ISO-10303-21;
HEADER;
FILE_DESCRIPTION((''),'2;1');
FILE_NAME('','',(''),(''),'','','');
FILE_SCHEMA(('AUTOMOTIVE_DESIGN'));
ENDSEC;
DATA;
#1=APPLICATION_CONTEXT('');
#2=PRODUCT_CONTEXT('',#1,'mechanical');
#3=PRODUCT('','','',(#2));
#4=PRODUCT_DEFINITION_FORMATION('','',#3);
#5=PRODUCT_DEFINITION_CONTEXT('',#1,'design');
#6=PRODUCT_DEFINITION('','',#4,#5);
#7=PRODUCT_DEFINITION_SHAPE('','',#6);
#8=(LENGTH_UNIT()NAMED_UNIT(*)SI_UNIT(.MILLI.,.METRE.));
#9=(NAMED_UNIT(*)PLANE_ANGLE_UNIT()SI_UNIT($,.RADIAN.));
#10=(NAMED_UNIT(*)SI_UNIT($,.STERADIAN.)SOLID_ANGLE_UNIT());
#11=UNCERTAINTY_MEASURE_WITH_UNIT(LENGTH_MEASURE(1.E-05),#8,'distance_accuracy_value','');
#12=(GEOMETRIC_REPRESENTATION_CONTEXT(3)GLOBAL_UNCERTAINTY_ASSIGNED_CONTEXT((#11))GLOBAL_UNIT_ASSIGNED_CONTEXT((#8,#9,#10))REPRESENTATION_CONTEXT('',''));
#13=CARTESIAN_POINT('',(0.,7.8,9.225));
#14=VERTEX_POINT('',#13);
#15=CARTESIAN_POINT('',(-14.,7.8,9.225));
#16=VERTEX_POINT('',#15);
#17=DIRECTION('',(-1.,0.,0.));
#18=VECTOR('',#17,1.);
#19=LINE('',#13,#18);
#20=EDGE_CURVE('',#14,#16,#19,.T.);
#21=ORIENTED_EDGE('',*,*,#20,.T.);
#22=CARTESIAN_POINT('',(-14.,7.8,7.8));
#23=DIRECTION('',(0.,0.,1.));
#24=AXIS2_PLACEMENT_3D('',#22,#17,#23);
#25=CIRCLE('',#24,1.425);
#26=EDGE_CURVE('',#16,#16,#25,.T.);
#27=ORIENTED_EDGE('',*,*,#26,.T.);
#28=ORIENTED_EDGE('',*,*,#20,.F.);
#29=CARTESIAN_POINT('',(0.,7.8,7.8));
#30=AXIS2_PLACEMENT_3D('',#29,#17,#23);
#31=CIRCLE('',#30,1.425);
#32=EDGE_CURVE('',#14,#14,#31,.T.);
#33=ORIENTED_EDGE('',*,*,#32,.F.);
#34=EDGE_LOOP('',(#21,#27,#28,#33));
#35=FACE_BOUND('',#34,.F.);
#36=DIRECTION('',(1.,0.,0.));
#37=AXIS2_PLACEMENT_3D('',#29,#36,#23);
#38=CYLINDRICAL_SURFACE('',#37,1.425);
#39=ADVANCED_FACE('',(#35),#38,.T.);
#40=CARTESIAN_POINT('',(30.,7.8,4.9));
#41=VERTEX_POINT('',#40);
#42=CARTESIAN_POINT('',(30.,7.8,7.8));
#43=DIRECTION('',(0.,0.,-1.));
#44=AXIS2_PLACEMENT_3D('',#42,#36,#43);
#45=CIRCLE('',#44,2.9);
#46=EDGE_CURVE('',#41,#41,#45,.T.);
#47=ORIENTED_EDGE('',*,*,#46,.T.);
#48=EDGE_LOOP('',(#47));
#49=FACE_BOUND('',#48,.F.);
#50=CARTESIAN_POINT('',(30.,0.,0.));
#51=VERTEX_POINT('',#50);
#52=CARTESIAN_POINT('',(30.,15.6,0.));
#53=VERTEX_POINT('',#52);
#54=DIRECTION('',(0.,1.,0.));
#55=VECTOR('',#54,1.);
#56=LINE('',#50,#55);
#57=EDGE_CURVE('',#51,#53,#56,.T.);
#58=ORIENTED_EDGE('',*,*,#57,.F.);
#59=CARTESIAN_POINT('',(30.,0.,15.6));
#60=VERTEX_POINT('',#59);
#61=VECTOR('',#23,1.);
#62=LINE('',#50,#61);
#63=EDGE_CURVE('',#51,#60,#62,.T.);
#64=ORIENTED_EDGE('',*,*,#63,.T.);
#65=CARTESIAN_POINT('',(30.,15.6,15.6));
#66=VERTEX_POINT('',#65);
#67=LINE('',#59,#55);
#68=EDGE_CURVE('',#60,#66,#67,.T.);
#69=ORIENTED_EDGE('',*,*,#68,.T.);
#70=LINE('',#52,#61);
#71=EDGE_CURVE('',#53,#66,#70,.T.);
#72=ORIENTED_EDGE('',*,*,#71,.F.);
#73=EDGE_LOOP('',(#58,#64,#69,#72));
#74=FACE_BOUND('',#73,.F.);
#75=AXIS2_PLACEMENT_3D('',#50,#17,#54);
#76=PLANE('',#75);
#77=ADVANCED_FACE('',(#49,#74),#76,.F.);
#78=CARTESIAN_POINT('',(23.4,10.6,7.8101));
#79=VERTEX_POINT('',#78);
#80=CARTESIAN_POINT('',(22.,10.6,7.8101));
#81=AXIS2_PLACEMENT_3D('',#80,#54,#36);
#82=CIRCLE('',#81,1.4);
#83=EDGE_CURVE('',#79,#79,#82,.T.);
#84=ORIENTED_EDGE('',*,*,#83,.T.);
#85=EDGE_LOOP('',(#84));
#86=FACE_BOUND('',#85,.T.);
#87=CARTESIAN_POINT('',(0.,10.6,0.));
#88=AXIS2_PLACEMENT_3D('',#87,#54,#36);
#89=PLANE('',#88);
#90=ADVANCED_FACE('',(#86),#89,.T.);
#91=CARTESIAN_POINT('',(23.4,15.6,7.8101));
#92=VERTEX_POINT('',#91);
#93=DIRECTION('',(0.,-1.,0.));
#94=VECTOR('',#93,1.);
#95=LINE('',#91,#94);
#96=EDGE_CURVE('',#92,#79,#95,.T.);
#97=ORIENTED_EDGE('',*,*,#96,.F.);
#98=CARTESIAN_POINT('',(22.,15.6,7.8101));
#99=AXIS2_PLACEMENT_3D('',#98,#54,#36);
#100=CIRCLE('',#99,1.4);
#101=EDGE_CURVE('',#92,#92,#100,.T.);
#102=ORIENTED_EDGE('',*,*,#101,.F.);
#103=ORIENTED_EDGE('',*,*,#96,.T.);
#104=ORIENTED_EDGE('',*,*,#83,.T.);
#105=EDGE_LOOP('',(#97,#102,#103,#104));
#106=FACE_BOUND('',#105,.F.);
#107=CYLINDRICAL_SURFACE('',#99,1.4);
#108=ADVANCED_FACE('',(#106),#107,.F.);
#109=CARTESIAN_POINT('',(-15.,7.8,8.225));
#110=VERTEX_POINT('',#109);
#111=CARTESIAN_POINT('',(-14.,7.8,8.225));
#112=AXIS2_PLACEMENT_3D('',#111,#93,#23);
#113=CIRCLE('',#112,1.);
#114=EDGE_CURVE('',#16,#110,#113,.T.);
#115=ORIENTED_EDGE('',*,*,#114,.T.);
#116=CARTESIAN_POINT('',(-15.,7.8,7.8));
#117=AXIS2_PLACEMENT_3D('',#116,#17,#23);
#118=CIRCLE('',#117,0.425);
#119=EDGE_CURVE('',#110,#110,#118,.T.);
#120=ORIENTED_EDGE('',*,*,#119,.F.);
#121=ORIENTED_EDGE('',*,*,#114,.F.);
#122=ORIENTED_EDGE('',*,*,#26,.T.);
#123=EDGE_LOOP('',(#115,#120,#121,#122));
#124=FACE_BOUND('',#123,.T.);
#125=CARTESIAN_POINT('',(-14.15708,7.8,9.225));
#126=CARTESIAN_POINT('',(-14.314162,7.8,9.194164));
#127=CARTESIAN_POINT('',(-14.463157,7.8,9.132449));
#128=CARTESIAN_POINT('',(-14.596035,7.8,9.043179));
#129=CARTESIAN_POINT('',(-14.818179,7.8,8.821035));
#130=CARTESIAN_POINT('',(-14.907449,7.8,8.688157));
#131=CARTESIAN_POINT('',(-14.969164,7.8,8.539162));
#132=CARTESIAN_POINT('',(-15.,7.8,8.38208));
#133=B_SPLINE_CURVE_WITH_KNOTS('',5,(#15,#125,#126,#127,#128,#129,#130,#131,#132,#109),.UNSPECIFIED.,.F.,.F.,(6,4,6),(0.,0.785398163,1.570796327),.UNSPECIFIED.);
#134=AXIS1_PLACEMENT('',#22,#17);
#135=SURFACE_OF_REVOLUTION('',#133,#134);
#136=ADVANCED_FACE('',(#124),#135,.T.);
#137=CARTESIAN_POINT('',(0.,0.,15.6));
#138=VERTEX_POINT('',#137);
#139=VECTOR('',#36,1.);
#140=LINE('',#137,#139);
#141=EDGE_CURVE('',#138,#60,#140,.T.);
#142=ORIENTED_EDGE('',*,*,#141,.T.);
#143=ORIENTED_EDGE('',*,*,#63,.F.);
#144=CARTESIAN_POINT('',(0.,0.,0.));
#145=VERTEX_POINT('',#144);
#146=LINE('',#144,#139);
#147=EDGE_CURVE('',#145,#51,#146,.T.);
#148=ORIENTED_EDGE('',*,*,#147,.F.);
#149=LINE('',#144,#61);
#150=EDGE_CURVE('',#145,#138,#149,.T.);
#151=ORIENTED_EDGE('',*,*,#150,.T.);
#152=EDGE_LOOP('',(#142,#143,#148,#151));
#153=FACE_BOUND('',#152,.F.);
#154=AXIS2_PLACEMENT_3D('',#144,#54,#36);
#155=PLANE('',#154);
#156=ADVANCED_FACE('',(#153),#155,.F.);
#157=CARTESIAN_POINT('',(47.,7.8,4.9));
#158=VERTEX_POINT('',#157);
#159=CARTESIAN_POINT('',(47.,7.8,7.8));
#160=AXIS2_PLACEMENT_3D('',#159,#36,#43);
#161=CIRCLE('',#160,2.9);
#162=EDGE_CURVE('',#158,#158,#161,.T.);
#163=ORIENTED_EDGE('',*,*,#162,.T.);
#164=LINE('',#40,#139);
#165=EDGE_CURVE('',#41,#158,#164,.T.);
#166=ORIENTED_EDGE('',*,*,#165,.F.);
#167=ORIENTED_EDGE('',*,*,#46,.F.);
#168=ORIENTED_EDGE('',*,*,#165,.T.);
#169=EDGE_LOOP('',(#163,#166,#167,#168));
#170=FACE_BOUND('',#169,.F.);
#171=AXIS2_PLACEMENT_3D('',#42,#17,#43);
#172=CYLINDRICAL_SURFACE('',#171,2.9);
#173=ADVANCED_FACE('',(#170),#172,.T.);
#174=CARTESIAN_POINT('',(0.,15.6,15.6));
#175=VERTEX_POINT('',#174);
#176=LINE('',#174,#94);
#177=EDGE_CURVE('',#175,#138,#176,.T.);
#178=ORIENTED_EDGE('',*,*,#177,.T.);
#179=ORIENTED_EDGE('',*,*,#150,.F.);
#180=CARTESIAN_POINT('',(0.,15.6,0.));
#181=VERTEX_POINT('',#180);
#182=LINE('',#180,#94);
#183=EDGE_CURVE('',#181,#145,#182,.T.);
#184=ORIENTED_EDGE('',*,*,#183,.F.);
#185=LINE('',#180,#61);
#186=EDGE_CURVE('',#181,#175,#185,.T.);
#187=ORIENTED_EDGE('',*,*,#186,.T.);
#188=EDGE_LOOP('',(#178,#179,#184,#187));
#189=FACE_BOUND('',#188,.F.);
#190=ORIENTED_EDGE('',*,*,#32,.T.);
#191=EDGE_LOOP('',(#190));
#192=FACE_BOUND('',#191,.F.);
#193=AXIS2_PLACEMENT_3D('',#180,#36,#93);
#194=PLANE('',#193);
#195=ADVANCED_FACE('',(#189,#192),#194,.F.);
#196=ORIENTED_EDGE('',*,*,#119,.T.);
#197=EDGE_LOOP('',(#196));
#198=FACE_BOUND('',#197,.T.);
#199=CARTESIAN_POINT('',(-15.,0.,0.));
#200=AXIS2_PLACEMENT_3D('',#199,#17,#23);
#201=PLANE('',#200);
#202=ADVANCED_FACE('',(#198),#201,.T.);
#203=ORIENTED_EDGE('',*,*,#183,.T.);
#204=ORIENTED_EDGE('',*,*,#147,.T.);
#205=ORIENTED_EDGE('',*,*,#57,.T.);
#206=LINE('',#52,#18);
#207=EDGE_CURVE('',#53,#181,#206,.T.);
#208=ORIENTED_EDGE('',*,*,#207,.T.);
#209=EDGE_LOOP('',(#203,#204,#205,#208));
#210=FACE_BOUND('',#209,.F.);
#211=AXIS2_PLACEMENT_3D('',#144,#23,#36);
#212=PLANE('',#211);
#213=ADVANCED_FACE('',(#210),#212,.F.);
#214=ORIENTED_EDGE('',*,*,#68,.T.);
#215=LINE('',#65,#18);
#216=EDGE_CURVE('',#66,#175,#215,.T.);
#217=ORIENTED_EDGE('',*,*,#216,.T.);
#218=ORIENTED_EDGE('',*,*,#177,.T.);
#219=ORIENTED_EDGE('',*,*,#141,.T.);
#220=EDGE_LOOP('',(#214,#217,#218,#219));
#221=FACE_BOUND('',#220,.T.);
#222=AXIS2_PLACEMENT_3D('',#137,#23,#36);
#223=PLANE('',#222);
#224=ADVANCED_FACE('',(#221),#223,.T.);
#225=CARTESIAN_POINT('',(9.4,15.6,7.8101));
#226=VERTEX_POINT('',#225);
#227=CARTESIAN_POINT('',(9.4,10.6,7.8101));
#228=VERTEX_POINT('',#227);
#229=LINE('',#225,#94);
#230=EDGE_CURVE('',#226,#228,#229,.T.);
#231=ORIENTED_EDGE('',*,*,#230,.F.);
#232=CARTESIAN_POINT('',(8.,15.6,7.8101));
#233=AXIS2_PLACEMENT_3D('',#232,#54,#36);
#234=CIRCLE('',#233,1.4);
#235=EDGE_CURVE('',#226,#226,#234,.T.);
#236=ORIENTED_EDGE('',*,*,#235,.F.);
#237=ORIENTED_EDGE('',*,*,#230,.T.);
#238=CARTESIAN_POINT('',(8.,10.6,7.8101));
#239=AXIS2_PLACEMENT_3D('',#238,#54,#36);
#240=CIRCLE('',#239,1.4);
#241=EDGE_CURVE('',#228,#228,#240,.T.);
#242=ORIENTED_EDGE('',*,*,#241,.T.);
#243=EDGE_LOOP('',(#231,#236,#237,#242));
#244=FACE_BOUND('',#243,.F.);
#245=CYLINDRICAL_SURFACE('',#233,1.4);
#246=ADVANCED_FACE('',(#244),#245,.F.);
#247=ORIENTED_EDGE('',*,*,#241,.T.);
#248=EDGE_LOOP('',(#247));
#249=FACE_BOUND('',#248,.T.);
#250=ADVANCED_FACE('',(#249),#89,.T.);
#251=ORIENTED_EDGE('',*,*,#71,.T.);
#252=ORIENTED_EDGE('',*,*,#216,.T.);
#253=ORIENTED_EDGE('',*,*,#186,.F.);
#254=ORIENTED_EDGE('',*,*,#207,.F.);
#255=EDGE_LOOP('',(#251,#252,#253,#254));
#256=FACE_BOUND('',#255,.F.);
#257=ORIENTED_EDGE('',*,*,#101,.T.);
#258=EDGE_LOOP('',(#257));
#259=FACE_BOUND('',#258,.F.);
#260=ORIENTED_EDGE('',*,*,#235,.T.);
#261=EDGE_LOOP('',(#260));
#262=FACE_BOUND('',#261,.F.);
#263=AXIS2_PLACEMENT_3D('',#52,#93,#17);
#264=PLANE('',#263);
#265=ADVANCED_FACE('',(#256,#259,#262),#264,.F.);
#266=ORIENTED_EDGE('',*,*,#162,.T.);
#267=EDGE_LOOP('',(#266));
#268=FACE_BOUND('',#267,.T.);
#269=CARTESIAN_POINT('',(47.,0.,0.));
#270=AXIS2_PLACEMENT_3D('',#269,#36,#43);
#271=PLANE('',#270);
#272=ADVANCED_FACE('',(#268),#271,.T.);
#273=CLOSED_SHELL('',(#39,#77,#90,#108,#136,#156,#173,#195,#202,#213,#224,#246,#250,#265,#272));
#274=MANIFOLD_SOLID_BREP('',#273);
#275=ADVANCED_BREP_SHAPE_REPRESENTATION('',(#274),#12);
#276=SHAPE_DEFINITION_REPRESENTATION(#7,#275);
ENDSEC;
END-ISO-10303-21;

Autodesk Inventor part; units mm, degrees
ref_plane "YZ Plane" through (0, 0, 0) normal (1, 0, 0) x (0, 1, 0)
ref_plane "XZ Plane" through (0, 0, 0) normal (0, 1, 0) x (-1, 0, 0)
ref_plane "XY Plane" through (0, 0, 0) normal (0, 0, 1) x (1, 0, 0)
sketch "Sketch1" plane through (0, 0, 0) normal (0, 0, 1) x (1, 0, 0)
  line L0 (0, 0) -> (30, 0)
  line L1 (30, 0) -> (30, 15.6)
  line L2 (30, 15.6) -> (0, 15.6)
  line L3 (0, 15.6) -> (0, 0)
  dimension "d0" = 30
  dimension "d1" = 15.6
extrude "Extrusion1" add sketch "Sketch1" along normal blind 15.6
sketch "Sketch2" plane through (30, 0, 0) normal (1, 0, 0) x (0, 0, -1)
  line L0 (0, 0) -> (0, 15.6) projected
  line L1 (0, 15.6) -> (-15.6, 15.6) projected
  line L2 (-15.6, 0) -> (-15.6, 15.6) projected
  line L3 (0, 0) -> (-15.6, 0) projected
  circle A0 centre (-7.8, 7.8) radius 2.9
  dimension "d4" = 5.8
extrude "Extrusion2" add sketch "Sketch2" along normal blind 17 contours A0
sketch "Sketch3" plane through (0, 0, 0) normal (-1, 0, 0) x (0, 0, 1)
  circle A0 centre (7.8, 7.8) radius 2.9 projected
  circle A1 centre (7.8, 7.8) radius 1.425
  point P0 (0, 0)
  dimension "d7" = 2.85
extrude "Extrusion3" add sketch "Sketch3" along normal blind 15 contours A1
fillet "Fillet1" radius 1 1 edges at (-15, 7.8, 6.375)
sketch "Sketch4" plane through (0, 15.6, 0) normal (0, 1, 0) x (1, 0, 0)
  circle A0 centre (8, -7.8101) radius 1.4
  circle A1 centre (22, -7.8101) radius 1.4
  line L0 (30, 0) -> (30, -15.6) projected
  line L1 (0, 0) -> (0, -15.6) projected
  dimension "d11" = 2.8
  dimension "d12" = 2.8
  dimension "d13" = 8
  dimension "d14" = 8
extrude "Extrusion4" cut sketch "Sketch4" against normal blind 5
properties part number "00_JF-0530B-solenoid"
